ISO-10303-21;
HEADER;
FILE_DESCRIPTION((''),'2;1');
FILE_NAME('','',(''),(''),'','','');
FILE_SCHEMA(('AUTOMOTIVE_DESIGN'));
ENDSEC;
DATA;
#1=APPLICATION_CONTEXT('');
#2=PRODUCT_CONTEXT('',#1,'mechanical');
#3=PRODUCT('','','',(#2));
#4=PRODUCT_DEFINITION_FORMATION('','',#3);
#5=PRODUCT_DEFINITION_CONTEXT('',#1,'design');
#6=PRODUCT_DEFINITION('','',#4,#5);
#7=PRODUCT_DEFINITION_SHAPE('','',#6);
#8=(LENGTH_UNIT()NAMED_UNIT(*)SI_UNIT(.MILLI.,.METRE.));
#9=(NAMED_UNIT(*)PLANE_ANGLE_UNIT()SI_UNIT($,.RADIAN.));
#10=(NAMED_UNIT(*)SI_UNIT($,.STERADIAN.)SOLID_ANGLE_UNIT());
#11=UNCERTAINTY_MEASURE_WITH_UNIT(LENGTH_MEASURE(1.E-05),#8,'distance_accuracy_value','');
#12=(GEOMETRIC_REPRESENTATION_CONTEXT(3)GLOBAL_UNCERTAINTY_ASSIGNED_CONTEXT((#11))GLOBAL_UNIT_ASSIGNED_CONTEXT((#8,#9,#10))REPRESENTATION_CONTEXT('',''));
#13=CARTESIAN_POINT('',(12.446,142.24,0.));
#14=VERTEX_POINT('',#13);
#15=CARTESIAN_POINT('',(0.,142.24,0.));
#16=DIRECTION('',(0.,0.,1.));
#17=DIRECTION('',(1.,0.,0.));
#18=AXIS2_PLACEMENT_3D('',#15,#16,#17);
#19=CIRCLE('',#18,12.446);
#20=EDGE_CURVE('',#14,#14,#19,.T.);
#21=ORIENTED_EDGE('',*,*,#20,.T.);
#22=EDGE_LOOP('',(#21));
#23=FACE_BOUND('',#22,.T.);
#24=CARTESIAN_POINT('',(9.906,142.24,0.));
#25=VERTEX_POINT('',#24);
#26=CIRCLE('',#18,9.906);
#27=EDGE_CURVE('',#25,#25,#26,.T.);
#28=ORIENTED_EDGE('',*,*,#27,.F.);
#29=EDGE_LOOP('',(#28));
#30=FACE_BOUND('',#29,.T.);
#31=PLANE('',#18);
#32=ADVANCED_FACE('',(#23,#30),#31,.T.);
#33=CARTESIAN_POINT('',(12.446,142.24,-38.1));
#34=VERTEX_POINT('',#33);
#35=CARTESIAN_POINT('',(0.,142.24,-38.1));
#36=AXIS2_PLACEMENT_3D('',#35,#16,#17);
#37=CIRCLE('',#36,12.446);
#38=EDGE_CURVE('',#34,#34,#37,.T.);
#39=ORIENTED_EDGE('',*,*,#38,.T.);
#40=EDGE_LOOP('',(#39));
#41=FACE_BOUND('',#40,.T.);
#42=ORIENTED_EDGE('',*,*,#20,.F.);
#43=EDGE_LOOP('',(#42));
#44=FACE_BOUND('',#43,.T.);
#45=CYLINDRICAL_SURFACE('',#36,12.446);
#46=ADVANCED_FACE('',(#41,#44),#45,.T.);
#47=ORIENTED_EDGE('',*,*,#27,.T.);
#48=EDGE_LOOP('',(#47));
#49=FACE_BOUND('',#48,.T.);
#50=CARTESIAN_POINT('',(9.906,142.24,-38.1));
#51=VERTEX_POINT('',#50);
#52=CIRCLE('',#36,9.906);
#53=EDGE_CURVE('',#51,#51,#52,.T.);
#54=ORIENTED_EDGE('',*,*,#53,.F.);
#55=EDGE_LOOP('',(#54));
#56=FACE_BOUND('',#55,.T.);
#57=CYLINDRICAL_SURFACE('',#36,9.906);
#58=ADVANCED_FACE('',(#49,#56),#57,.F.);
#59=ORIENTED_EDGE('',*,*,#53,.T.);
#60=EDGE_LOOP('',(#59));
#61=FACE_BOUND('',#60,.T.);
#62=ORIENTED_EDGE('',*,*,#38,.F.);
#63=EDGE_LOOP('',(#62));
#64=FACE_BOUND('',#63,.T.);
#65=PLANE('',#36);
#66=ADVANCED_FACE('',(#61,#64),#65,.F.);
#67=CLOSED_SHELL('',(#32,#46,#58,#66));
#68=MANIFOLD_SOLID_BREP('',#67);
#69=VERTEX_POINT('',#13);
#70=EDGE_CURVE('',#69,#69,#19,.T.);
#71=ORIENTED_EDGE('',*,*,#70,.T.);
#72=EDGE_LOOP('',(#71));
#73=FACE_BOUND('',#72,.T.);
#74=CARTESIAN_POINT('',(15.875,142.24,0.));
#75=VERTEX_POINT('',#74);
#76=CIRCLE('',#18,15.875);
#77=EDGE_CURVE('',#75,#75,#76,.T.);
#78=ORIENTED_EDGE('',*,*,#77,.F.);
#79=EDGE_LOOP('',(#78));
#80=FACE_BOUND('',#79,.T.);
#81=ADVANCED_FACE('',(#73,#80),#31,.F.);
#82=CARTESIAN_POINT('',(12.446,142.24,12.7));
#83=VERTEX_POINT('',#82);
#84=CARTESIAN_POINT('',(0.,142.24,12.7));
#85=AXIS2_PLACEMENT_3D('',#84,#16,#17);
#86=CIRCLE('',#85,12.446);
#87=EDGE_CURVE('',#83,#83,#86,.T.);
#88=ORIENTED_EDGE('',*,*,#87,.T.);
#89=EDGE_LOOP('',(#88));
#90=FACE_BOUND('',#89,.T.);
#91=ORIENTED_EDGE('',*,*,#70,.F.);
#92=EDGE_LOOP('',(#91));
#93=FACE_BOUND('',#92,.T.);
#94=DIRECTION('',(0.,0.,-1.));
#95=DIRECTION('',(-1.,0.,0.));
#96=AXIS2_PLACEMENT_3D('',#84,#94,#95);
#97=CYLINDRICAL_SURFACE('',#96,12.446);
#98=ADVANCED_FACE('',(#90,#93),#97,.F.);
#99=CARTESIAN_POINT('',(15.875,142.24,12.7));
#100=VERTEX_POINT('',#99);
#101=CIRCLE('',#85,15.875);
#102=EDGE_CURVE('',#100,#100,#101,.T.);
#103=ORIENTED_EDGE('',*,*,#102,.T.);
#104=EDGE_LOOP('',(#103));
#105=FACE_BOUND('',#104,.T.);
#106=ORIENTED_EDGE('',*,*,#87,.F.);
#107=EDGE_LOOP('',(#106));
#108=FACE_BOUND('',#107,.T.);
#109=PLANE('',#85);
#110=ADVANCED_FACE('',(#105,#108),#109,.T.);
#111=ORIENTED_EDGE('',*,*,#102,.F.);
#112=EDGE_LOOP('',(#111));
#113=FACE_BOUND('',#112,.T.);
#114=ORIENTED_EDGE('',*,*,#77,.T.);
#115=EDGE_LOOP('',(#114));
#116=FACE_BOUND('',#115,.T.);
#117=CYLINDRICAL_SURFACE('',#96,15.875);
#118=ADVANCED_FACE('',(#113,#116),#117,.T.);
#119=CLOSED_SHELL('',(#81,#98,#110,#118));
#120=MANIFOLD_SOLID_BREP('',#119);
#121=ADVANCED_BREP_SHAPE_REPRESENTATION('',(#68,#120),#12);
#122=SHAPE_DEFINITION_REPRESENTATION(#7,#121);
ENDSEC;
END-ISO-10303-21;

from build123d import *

# Parameters (mm, degrees)
SKETCH1_R           = 12.446
SKETCH1_R_2         = 9.906
EXTRUDE_THIN1_DEPTH = 38.1
SKETCH1_3_R         = 15.875
SKETCH1_3_R_2       = 12.446
EXTRUDE1_DEPTH      = 12.7


with BuildPart() as part:
    # Sketch1 → Extrude-Thin1 (new body)
    with BuildSketch(Plane.XY):
        with Locations((0, 142.24)):
            Circle(SKETCH1_R)
        with Locations((0, 142.24)):
            Circle(SKETCH1_R_2, mode=Mode.SUBTRACT)
    extrude(amount=-EXTRUDE_THIN1_DEPTH)


with BuildPart() as body_2:
    # Sketch1_3 → Extrude1 (new body)
    with BuildSketch(Plane.XY):
        with Locations((0, 142.24)):
            Circle(SKETCH1_3_R)
        with Locations((0, 142.24)):
            Circle(SKETCH1_3_R_2, mode=Mode.SUBTRACT)
    extrude(amount=EXTRUDE1_DEPTH)


solid = Compound([part.part, body_2.part])
